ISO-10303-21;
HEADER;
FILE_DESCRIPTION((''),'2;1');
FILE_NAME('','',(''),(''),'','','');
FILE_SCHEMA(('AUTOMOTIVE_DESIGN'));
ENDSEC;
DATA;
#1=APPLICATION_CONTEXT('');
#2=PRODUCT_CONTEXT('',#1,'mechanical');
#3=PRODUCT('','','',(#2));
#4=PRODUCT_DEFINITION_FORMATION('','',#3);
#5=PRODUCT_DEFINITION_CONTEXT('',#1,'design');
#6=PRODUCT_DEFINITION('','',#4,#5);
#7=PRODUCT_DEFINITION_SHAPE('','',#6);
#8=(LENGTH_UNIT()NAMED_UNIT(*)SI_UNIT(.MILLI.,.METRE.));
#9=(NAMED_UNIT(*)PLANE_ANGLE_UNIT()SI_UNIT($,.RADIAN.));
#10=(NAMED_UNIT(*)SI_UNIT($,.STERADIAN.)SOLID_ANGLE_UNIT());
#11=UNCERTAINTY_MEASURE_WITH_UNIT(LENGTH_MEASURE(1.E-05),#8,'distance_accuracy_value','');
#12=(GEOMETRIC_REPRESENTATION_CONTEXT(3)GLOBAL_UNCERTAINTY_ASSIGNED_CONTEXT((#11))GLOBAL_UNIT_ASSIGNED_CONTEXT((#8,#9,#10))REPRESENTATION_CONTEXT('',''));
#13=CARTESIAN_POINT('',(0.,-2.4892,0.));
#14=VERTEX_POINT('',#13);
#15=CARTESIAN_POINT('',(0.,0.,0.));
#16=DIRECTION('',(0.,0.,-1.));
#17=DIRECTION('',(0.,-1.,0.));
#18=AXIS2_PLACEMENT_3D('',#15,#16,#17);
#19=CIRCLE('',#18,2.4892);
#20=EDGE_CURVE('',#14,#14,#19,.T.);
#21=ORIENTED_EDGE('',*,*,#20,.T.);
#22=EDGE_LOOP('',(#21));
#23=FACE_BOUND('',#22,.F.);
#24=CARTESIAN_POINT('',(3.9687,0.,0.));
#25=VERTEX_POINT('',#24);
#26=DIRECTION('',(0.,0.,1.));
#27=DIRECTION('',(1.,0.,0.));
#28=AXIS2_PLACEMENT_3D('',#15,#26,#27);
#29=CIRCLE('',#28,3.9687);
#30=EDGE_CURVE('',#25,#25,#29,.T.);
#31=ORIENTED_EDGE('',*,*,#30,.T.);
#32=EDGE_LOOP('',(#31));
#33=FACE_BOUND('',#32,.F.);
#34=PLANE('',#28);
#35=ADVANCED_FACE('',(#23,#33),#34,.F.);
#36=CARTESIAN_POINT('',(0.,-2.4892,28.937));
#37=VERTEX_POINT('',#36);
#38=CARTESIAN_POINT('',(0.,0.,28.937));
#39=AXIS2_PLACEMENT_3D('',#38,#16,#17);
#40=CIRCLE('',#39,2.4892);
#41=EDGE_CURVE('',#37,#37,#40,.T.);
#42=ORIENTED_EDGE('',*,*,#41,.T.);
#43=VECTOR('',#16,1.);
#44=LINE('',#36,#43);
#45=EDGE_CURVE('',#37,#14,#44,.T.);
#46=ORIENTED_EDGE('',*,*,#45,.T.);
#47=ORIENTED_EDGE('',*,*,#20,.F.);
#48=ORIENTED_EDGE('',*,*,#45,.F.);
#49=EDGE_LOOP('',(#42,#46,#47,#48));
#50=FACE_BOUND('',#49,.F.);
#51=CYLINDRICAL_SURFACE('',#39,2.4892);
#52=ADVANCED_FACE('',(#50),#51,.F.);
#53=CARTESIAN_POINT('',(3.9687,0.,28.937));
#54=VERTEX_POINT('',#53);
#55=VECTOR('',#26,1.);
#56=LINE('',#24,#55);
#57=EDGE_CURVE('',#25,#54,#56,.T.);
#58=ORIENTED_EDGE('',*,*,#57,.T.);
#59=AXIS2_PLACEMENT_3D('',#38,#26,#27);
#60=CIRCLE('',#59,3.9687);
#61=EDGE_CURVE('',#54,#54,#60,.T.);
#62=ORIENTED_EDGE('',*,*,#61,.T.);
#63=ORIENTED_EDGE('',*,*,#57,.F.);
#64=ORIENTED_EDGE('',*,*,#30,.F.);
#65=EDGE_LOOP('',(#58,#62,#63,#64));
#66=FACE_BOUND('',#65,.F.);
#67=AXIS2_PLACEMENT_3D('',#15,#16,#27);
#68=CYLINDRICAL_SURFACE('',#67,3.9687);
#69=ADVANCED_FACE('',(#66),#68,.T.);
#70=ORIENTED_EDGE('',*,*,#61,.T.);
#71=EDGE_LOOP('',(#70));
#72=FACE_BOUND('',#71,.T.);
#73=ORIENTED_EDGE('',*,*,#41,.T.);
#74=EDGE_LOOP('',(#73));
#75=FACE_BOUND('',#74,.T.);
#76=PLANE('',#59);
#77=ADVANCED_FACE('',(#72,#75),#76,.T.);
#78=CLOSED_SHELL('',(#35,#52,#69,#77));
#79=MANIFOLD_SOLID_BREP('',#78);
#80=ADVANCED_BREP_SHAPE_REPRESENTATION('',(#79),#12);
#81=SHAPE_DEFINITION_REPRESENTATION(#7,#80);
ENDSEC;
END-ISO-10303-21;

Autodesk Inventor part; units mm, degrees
ref_plane "YZ Plane" through (0, 0, 0) normal (1, 0, 0) x (0, 1, 0)
ref_plane "XZ Plane" through (0, 0, 0) normal (0, 1, 0) x (-1, 0, 0)
ref_plane "XY Plane" through (0, 0, 0) normal (0, 0, 1) x (1, 0, 0)
sketch "Sketch1" plane through (0, 0, 0) normal (0, 0, 1) x (1, 0, 0)
  circle A0 centre (0, 0) radius 3.9687
  dimension "d0" = 7.9375
extrude "Extrusion1" add sketch "Sketch1" along normal blind 28.937
sketch "Sketch2" plane through (0, 0, 28.937) normal (0, 0, 1) x (1, 0, 0)
  circle A0 centre (0, 0) radius 3.9687 projected
hole "Hole1" at (0, 0, 28.937) direction (0, 0, -1) diameter 4.9784 end through all clearance for "Flat Head Machine Screw (82)" size "#10" standard "Ansi Unified Screw Threads"
properties part number "Pneumatic Standoff" material "Aluminum 6061"
